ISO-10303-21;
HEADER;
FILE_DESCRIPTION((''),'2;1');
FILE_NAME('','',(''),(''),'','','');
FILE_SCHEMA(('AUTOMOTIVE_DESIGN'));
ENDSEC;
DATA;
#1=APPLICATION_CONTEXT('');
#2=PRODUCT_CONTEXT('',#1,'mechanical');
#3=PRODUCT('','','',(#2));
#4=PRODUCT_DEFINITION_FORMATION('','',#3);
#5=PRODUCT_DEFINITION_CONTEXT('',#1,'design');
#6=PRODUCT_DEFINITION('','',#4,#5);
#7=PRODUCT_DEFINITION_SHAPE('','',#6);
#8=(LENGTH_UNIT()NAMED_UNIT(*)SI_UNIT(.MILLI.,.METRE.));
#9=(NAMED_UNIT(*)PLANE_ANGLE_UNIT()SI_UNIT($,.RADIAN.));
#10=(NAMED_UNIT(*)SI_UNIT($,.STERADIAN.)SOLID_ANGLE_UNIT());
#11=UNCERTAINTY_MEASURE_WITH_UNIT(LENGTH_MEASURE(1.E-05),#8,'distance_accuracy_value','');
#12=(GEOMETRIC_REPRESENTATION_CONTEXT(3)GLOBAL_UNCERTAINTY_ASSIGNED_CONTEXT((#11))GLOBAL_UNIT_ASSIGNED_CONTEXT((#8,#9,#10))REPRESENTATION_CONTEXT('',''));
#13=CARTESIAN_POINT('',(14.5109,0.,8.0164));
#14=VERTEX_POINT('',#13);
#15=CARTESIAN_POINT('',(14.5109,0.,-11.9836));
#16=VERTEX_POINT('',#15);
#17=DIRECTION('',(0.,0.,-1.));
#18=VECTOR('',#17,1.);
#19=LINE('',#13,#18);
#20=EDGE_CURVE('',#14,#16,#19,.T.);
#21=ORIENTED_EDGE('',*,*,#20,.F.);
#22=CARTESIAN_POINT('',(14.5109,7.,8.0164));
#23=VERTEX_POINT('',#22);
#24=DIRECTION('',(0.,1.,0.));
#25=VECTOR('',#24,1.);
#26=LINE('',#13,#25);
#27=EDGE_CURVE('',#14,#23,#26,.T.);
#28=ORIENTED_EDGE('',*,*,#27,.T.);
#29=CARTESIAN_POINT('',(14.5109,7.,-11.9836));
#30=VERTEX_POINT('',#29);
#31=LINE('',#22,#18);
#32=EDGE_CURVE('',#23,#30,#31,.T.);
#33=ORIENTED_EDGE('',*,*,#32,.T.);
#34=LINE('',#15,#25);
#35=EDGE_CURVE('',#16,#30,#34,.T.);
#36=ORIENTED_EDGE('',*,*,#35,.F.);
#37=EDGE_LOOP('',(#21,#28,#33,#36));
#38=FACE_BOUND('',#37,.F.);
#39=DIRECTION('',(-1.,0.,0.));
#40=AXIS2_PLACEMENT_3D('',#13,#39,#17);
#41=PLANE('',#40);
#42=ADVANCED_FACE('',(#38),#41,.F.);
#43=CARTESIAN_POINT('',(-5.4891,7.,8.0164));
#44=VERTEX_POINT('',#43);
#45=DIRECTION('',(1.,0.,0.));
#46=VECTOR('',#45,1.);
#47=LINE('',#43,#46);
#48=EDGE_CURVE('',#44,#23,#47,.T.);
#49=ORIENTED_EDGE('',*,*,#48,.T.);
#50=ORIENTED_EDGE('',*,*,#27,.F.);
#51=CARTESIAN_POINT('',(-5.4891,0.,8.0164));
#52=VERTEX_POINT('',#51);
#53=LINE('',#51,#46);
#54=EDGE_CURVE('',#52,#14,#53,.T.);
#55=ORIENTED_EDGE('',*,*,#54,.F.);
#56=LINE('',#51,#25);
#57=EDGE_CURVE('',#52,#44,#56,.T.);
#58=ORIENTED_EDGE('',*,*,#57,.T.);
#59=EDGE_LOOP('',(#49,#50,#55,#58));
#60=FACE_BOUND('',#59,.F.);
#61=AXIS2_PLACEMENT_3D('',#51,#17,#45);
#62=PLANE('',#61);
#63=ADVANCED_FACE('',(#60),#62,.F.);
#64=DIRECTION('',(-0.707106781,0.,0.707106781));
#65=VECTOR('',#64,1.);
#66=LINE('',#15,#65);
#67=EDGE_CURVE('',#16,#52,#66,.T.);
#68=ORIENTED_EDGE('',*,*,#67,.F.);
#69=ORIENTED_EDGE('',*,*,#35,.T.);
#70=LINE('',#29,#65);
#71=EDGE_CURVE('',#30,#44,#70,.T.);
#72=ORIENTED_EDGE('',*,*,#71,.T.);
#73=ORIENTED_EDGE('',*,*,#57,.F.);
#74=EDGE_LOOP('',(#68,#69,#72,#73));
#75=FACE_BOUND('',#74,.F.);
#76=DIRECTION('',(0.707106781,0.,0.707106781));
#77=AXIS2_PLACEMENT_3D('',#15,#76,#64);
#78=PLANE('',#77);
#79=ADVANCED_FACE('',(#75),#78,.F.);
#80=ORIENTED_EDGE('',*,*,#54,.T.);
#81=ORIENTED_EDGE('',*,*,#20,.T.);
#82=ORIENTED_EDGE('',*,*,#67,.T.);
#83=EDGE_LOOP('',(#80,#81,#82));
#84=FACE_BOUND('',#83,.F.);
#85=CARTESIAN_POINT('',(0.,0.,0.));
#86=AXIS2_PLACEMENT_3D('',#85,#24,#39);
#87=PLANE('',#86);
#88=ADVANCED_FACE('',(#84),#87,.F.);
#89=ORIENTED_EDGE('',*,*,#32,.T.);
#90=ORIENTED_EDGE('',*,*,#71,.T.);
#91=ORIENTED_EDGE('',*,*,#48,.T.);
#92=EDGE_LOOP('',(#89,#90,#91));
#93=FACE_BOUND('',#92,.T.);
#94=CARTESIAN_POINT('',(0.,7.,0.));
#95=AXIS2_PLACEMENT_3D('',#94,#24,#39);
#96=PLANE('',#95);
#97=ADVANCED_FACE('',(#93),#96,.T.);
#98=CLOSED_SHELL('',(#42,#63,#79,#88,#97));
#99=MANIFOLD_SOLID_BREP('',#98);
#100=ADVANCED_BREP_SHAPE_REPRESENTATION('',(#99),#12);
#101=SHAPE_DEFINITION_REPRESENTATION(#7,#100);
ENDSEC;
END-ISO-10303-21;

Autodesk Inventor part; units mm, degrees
ref_plane "YZ Plane" through (0, 0, 0) normal (1, 0, 0) x (0, 1, 0)
ref_plane "XZ Plane" through (0, 0, 0) normal (0, 1, 0) x (-1, 0, 0)
ref_plane "XY Plane" through (0, 0, 0) normal (0, 0, 1) x (1, 0, 0)
sketch "Sketch1" plane through (0, 0, 0) normal (0, 1, 0) x (-1, 0, 0)
  line L0 (5.4891, 8.0164) -> (-14.5109, 8.0164)
  line L1 (-14.5109, 8.0164) -> (-14.5109, -11.9836)
  line L2 (-14.5109, -11.9836) -> (5.4891, 8.0164)
  point P0 (0, 0)
  dimension "d6" = 90
  dimension "d7" = 45
  dimension "d8" = 20
  dimension "d9" = 20
extrude "Extrusion1" add sketch "Sketch1" along normal blind 7
properties part number "BonsaiFeet"
